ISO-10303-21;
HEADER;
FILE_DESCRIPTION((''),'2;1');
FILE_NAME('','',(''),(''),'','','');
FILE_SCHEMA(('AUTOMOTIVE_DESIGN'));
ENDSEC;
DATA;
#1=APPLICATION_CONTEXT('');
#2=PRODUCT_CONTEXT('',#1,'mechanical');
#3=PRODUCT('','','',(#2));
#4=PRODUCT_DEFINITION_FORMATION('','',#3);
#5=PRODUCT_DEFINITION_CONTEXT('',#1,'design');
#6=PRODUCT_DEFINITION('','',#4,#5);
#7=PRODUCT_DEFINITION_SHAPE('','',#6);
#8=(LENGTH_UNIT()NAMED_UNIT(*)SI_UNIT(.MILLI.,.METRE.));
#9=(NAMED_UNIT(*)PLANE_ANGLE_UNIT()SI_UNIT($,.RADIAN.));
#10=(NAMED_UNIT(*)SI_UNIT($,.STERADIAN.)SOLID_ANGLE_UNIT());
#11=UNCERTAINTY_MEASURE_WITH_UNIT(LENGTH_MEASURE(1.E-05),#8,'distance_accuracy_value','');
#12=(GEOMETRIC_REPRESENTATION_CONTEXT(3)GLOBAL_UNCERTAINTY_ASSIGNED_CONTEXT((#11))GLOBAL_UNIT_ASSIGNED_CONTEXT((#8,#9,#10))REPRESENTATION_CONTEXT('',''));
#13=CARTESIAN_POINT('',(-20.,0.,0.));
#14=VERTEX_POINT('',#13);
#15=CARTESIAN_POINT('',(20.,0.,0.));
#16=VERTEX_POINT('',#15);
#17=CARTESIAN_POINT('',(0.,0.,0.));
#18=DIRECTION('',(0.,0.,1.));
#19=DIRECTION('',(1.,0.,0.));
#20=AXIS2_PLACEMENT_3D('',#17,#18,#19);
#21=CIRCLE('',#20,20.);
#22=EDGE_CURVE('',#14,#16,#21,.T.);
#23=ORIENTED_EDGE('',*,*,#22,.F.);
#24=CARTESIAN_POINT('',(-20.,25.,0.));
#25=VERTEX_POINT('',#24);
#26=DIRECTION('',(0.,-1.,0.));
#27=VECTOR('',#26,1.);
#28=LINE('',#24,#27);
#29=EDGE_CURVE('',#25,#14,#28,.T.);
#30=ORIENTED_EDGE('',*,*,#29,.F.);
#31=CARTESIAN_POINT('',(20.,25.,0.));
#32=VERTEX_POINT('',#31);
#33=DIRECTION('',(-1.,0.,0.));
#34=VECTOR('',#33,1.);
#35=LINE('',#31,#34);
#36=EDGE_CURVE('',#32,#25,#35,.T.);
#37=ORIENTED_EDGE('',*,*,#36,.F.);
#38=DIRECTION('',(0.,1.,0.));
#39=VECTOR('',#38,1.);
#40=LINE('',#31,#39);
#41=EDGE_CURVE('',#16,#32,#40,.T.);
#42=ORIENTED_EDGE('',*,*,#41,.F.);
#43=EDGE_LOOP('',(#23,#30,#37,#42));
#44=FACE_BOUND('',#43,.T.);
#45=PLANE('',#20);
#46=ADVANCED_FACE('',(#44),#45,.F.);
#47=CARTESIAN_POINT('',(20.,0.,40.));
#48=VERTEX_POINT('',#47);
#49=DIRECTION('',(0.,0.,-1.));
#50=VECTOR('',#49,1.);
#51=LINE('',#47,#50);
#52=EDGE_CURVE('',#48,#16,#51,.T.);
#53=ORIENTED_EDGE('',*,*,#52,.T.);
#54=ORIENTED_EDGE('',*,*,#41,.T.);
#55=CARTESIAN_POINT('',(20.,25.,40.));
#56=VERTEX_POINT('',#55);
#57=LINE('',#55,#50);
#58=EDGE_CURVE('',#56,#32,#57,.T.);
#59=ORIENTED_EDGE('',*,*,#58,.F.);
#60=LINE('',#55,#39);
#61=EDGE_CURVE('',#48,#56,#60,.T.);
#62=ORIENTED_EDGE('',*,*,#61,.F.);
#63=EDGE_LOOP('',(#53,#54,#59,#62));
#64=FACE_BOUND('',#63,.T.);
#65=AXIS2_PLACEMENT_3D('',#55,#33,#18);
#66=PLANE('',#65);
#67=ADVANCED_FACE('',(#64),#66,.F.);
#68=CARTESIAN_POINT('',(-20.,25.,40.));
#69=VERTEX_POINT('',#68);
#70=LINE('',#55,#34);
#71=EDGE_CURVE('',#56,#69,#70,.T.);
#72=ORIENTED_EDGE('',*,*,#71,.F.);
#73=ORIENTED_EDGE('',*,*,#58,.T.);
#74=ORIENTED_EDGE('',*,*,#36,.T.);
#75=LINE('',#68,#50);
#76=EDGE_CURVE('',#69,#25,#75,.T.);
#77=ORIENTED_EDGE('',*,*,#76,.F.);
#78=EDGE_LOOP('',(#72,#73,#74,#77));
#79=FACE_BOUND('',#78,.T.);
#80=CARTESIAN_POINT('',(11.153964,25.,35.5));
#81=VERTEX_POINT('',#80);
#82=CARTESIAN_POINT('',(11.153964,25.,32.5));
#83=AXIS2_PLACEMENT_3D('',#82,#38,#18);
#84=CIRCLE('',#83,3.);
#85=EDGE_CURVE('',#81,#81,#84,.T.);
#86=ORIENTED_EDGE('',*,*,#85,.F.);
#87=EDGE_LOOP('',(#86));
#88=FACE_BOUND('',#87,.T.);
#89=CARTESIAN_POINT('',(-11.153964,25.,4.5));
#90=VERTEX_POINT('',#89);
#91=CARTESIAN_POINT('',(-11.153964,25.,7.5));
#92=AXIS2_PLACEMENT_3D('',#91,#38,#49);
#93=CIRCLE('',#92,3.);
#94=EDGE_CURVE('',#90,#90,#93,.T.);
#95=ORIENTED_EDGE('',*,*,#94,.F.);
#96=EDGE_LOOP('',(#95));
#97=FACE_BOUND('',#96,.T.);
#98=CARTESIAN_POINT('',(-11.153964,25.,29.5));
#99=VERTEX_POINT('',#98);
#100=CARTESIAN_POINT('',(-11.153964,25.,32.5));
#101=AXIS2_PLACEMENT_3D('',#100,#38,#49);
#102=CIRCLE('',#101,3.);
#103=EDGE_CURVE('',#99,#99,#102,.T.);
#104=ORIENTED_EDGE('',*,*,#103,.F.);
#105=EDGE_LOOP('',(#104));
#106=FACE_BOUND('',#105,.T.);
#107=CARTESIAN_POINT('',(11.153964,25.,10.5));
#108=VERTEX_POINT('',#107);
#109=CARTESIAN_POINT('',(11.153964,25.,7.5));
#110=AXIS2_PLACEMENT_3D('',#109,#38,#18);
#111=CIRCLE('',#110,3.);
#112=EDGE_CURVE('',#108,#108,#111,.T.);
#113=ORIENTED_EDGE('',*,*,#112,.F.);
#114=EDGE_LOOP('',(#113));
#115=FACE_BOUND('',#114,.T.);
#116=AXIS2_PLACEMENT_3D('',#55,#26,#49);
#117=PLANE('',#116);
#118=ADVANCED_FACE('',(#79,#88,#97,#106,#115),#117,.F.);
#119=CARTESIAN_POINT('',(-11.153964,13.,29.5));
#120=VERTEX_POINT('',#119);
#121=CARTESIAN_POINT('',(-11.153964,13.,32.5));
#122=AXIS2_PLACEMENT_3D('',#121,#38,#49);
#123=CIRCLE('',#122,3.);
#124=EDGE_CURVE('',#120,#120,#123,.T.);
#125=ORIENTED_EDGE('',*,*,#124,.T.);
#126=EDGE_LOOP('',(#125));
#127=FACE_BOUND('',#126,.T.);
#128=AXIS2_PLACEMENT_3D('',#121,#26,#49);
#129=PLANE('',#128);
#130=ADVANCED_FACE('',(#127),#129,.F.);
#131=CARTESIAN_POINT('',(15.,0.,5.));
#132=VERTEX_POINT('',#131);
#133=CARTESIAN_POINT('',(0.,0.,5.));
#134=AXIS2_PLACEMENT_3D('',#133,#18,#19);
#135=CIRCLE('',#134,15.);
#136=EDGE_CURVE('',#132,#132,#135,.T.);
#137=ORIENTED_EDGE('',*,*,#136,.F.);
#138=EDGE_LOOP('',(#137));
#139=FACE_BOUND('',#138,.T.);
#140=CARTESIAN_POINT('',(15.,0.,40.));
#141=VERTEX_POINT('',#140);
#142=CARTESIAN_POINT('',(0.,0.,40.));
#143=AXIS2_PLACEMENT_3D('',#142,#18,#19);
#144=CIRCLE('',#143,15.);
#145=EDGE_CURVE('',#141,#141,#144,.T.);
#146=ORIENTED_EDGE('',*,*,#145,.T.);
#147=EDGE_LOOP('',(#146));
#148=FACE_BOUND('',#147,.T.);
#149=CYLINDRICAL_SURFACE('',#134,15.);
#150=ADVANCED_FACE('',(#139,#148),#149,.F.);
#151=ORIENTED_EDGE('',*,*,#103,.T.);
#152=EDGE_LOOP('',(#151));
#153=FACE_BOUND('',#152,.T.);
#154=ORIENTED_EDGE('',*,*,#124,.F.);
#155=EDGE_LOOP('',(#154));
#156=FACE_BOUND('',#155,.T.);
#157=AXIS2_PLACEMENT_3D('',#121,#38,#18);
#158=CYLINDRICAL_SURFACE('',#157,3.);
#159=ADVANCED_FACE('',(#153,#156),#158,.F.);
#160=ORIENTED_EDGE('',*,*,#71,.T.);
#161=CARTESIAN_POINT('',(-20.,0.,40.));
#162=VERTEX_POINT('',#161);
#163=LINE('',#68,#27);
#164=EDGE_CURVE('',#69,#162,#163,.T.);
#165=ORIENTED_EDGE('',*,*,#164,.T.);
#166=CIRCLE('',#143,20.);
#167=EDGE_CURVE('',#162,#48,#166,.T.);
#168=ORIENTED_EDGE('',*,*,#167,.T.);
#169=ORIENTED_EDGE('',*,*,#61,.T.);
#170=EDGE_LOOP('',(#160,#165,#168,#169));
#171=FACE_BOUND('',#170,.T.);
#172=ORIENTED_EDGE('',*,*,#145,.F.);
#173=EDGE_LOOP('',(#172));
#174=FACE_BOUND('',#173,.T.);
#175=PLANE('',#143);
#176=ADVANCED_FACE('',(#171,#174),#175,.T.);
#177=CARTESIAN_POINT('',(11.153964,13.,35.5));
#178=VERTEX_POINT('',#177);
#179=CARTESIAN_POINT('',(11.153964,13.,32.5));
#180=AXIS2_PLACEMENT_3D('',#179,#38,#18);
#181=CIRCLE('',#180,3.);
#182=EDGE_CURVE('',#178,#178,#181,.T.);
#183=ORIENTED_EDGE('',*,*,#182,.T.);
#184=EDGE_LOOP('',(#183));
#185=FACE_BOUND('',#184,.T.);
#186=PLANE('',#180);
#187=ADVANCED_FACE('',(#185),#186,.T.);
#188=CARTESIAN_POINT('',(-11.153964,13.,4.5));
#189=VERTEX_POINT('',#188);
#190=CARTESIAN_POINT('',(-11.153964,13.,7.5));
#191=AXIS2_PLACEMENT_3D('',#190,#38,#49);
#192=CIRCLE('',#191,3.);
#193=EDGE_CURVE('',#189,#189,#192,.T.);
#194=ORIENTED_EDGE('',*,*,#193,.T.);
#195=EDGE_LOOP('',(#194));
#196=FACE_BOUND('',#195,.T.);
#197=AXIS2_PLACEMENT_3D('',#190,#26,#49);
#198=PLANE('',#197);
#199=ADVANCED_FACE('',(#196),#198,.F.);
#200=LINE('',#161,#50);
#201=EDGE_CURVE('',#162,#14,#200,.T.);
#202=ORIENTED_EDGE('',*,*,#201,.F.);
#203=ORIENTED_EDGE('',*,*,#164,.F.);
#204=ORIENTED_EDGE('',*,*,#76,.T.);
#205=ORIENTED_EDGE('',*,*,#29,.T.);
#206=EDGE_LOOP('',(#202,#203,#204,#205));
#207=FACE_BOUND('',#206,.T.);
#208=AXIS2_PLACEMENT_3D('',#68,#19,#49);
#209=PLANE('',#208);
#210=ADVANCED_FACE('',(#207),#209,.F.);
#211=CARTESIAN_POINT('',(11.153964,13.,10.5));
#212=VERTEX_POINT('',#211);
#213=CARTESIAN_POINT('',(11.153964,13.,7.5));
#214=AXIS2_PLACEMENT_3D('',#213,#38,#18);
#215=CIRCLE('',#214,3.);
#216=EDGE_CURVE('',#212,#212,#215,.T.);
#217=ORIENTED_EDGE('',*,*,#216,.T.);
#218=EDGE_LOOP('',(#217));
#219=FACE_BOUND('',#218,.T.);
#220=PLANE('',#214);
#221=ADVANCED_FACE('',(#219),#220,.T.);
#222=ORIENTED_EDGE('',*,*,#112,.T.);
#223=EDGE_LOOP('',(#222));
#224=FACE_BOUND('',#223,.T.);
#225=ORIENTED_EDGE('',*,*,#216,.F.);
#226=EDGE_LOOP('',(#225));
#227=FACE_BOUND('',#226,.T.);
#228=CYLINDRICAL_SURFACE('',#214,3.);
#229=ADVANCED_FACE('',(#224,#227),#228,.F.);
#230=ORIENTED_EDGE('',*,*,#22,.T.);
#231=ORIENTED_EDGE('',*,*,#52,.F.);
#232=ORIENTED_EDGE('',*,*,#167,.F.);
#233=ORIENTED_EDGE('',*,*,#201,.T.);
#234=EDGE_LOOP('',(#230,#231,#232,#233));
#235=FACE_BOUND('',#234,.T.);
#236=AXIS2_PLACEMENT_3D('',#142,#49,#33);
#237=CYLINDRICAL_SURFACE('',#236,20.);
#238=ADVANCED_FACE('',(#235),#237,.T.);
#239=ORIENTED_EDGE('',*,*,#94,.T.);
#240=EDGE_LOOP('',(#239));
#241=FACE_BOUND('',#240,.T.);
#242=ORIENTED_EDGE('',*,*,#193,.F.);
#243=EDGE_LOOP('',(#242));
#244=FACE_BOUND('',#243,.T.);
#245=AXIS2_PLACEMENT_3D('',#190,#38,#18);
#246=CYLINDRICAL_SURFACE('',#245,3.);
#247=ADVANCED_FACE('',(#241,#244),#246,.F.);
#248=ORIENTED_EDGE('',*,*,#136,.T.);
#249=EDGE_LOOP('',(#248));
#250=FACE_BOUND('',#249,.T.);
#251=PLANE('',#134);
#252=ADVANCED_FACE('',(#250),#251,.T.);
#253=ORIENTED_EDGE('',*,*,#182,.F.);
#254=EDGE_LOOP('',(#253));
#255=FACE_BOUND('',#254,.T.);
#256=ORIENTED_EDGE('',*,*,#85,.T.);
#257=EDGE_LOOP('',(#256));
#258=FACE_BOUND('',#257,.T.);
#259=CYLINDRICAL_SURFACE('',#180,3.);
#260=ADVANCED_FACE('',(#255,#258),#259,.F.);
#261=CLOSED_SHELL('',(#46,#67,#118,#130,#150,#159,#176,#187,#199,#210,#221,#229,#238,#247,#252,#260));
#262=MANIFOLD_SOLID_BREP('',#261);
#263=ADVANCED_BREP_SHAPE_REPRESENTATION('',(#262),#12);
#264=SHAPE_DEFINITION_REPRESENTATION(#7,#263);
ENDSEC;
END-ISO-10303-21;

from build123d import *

# Parameters (mm, degrees)
EXTRUDE_1_DEPTH     = 40
SKETCH_2_R          = 15
CUT_EXTRUDE_1_DEPTH = 35
SKETCH_3_R          = 3
CUT_EXTRUDE_2_DEPTH = 12


with BuildPart() as part:
    # 草图1 → 凸台-拉伸1 (new body)
    with BuildSketch(Plane.XY):
        with BuildLine():
            Line((20, 25), (-20, 25))
            Line((-20, 25), (-20, 0))
            ThreePointArc((-20, 0), (0, -20), (20, 0))
            Line((20, 0), (20, 25))
        make_face()
    extrude(amount=EXTRUDE_1_DEPTH)

    # 草图2 → 切除-拉伸1 (cut)
    with BuildSketch(Plane.XY.offset(40)):
        Circle(SKETCH_2_R)
    extrude(amount=-CUT_EXTRUDE_1_DEPTH, mode=Mode.SUBTRACT)

    # 草图3 → 切除-拉伸2 (cut)
    with BuildSketch(Plane(origin=(0, 25, 0), x_dir=(1, 0, 0), z_dir=(0, 1, 0))):
        with Locations(Location((11.153964198, -7.5, 0), (0, 0, 270))):
            Circle(SKETCH_3_R)
        with Locations(Location((-11.153964198, -7.5, 0), (0, 0, 90))):
            Circle(SKETCH_3_R)
        with Locations(Location((11.153964198, -32.5, 0), (0, 0, 270))):
            Circle(SKETCH_3_R)
        with Locations(Location((-11.153964198, -32.5, 0), (0, 0, 90))):
            Circle(SKETCH_3_R)
    extrude(amount=-CUT_EXTRUDE_2_DEPTH, mode=Mode.SUBTRACT)


solid = part.part
